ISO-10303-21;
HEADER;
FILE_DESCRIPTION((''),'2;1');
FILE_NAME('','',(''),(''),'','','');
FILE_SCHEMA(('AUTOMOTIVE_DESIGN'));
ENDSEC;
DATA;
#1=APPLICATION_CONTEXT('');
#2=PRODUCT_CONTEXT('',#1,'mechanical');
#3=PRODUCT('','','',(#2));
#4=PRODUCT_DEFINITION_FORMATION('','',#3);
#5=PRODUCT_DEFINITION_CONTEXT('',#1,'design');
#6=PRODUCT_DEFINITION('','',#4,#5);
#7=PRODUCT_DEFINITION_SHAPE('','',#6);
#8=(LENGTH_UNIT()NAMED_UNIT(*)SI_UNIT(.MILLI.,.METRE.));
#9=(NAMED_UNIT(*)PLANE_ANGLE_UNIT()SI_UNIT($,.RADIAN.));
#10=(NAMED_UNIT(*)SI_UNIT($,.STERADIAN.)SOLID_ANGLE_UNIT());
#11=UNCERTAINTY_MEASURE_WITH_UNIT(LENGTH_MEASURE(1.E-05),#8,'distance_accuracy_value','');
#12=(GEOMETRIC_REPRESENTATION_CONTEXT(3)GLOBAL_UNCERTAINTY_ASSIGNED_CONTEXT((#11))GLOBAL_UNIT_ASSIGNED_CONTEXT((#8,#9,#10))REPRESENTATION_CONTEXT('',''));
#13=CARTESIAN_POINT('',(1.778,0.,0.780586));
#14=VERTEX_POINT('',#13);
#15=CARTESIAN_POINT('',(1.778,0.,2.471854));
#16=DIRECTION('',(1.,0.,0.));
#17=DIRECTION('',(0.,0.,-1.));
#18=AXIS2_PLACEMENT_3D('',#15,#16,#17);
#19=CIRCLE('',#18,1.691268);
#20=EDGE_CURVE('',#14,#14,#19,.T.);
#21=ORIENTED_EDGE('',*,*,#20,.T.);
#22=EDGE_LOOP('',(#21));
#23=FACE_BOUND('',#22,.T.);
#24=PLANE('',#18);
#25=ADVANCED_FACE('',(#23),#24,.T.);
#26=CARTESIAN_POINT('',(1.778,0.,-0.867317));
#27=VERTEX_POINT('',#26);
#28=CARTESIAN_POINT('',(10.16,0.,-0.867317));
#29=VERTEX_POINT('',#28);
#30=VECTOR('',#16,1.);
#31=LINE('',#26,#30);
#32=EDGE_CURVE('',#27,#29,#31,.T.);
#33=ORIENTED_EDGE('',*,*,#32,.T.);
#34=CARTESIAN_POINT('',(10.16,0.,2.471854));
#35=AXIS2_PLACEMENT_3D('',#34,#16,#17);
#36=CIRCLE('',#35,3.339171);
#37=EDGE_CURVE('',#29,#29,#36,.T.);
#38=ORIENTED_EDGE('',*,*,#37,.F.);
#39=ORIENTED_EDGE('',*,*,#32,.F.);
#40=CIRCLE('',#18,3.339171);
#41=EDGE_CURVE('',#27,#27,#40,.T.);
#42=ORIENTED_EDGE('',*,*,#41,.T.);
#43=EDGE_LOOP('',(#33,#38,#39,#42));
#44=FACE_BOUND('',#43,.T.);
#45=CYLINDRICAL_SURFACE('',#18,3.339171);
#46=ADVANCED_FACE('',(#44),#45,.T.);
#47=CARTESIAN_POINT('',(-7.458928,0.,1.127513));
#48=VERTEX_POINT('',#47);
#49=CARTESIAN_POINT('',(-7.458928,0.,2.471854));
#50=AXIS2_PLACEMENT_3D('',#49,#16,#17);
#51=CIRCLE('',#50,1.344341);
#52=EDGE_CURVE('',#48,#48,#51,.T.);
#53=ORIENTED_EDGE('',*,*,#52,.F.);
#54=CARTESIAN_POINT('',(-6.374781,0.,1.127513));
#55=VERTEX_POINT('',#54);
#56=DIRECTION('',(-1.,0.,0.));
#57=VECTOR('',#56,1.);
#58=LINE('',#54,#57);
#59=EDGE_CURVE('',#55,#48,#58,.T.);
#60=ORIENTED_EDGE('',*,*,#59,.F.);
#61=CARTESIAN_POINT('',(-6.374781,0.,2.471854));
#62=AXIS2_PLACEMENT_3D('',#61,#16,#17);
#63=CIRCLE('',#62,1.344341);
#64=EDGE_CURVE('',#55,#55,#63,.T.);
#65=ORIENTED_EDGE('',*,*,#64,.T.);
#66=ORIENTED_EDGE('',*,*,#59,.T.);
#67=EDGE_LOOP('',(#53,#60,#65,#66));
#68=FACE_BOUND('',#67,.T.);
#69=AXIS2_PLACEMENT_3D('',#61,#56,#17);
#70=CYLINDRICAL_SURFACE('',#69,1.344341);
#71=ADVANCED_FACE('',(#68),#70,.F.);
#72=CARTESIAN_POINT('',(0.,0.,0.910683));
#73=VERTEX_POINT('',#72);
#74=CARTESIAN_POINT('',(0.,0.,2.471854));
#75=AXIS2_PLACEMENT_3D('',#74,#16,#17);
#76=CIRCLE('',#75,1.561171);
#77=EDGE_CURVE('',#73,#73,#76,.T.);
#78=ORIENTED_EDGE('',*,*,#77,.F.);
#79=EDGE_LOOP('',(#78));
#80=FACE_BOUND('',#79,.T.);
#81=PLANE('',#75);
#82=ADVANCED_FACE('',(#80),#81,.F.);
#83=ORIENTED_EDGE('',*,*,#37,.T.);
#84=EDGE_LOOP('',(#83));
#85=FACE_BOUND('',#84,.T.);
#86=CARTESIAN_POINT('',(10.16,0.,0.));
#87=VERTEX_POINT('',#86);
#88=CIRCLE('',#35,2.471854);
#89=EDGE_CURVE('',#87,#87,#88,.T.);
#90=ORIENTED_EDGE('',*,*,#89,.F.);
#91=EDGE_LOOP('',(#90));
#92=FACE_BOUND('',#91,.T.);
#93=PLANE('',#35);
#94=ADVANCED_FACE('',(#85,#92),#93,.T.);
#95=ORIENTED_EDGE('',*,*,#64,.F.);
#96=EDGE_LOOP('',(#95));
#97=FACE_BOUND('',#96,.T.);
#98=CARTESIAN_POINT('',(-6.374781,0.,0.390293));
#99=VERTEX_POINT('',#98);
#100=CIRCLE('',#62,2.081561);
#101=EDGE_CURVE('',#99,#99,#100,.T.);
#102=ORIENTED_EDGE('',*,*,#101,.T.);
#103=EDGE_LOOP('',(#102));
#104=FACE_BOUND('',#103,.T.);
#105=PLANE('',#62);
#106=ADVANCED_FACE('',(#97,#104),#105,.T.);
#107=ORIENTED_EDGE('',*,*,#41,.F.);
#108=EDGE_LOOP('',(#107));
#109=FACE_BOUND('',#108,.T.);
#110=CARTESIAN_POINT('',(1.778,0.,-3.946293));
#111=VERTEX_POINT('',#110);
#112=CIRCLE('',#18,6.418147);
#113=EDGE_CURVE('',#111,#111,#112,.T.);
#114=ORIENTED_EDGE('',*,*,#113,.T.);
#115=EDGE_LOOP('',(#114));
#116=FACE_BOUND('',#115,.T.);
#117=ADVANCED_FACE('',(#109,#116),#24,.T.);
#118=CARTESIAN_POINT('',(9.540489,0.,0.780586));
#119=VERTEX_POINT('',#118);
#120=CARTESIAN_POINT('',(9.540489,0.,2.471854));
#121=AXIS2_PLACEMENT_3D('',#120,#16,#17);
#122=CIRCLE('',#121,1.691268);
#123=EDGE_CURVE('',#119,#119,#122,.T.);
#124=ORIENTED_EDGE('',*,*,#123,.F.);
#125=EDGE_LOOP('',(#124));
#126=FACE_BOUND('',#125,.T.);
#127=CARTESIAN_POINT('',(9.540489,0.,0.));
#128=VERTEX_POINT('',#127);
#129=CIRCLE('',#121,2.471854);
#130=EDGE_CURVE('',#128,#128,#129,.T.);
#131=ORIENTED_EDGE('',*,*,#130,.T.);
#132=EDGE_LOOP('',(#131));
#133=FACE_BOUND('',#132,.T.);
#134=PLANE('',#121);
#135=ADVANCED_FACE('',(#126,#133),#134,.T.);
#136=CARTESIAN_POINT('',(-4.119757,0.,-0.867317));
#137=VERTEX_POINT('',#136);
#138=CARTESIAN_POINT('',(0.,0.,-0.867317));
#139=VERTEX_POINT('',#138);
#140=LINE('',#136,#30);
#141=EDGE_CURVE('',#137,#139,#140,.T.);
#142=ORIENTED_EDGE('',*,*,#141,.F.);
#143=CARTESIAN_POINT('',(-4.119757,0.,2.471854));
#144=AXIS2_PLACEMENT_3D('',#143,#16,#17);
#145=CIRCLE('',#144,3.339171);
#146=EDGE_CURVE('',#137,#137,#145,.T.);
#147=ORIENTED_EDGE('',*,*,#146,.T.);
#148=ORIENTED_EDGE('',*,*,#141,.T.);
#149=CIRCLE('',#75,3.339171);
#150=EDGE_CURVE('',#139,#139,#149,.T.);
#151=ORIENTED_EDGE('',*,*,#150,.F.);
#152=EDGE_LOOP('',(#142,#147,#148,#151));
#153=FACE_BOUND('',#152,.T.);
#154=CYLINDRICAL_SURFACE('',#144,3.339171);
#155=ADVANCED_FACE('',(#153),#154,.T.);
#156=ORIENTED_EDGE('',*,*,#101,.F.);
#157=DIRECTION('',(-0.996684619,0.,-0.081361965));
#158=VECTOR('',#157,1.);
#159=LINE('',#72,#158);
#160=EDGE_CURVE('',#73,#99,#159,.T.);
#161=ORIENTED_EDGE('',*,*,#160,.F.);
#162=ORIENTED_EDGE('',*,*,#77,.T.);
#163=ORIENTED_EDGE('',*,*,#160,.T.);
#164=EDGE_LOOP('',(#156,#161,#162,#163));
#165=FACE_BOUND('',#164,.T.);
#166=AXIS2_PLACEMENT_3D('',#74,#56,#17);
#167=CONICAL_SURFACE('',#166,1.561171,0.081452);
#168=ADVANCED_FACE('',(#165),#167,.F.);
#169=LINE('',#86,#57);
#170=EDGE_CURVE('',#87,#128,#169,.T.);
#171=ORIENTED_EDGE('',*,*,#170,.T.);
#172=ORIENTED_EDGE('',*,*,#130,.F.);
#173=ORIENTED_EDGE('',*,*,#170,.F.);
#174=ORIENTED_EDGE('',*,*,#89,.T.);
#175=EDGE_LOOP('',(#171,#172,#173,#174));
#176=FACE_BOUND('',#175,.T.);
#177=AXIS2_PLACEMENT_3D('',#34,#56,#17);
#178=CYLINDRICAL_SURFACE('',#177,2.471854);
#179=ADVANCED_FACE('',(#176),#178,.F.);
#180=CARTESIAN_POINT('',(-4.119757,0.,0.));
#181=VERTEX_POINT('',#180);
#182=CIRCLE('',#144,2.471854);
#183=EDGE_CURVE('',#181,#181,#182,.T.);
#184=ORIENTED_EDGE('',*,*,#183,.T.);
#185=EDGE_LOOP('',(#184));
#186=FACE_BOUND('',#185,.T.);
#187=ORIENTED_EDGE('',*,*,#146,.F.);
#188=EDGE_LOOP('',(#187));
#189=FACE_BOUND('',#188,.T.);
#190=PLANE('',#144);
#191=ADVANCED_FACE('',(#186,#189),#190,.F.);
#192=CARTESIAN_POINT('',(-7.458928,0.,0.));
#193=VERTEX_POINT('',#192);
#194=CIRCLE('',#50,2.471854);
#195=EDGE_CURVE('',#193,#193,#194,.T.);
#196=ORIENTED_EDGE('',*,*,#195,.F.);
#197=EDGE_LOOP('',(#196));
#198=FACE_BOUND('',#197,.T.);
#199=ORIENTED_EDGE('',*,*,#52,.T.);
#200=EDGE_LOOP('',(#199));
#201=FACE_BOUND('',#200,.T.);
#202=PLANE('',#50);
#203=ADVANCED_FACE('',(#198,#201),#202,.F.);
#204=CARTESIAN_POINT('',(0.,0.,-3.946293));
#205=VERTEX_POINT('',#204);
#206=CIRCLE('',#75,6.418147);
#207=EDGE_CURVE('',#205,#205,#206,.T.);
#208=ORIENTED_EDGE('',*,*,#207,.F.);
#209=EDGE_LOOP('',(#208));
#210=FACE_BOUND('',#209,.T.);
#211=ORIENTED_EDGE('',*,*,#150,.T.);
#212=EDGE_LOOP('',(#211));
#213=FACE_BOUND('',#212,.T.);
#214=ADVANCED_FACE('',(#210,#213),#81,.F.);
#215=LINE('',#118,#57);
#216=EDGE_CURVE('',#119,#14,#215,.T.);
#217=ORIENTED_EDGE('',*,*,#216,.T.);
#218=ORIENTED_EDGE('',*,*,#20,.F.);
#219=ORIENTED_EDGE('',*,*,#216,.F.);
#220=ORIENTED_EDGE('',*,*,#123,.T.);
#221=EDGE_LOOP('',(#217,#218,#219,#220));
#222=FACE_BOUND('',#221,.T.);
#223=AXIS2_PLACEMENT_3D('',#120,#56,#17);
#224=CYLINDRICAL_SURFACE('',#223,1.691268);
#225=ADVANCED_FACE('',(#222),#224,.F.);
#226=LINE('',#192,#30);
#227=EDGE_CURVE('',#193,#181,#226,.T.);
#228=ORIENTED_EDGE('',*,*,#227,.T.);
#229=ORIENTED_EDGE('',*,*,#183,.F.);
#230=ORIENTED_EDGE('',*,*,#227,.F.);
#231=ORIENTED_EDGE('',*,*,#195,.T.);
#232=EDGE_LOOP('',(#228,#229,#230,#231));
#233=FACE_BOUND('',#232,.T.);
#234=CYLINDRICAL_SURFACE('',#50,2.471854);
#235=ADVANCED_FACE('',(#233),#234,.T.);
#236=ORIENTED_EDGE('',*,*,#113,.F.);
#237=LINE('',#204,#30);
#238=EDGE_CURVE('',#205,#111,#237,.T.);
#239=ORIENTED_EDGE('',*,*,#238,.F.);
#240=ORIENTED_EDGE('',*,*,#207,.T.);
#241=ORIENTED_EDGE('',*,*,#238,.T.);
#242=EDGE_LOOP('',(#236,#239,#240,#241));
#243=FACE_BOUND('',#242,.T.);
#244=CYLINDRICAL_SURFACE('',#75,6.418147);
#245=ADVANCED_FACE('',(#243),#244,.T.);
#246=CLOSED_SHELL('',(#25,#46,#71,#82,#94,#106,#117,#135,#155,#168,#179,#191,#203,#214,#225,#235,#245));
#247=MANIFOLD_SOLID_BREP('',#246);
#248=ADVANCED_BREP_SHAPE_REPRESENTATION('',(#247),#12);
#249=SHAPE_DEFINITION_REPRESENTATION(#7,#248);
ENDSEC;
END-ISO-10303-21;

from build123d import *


with BuildPart() as f1:
    # F0 (on Front) → F1 (revolve)
    with BuildSketch(Plane.XZ):
        Polygon((0, 2.471854), (0, 0.910683), (-6.374781, 0.390293), (-6.374781, 1.127513), (-7.458928, 1.127513), (-7.458928, 0), (-4.119757, 0), (-4.119757, -0.867317), (0, -0.867317), (0, -3.946293), (1.778, -3.946293), (1.778, -0.867317), (10.16, -0.867317), (10.16, 0), (9.540489, 0), (9.540489, 0.780586), (1.778, 0.780586), (1.778, 2.471854), align=None)
    revolve(axis=Axis((0.889, 0, 2.471854), (1, 0, 0)))


solid = f1.part
